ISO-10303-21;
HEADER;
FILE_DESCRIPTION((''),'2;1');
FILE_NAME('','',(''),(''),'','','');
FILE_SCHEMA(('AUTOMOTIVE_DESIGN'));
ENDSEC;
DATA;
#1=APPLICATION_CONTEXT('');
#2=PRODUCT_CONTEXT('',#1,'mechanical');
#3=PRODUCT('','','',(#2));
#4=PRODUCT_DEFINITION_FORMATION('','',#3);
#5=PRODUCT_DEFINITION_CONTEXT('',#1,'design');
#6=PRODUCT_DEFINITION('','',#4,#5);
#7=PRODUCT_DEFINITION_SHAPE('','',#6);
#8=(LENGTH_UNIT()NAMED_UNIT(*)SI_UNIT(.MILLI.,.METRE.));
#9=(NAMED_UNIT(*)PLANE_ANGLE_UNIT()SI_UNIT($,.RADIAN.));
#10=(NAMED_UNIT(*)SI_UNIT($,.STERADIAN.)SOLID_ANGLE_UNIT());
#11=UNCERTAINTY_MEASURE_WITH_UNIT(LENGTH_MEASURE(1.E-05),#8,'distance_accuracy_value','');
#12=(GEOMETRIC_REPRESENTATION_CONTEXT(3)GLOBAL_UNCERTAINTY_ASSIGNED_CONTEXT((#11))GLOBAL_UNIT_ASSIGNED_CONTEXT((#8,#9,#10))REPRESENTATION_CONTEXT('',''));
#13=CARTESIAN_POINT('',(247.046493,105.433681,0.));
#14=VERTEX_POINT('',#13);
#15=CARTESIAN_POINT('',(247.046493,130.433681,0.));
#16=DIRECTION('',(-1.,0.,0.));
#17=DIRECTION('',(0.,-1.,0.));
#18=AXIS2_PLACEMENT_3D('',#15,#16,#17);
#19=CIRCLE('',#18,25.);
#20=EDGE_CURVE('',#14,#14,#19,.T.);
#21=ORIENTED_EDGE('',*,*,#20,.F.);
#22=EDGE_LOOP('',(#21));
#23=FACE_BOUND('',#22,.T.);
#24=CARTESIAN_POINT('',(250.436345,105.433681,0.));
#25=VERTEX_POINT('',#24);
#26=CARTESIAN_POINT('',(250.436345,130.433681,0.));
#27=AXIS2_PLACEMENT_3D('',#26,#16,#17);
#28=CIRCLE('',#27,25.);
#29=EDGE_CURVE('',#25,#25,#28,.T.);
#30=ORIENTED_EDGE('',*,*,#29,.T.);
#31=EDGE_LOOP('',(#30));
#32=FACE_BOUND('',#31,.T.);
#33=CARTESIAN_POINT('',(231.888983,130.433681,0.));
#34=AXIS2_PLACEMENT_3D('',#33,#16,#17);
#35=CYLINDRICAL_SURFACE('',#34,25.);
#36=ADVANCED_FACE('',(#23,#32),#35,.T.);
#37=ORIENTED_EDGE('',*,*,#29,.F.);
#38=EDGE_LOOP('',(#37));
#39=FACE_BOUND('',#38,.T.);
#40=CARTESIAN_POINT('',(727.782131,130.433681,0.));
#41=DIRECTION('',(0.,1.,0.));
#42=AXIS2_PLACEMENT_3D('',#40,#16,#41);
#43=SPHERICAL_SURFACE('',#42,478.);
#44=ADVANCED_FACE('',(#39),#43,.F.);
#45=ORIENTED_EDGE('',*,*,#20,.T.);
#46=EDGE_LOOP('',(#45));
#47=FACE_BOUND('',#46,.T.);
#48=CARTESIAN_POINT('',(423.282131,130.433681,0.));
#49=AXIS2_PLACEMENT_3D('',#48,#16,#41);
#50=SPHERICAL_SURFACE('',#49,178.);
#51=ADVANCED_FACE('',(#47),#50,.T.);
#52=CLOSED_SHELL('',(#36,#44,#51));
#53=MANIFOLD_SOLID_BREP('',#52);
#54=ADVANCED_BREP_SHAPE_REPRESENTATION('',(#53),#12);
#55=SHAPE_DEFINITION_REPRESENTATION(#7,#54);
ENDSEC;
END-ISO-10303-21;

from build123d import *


with BuildPart() as part:
    # 草图1 → 旋转1 (revolve)
    with BuildSketch(Plane.XY):
        with BuildLine():
            Line((247.046493409, 155.433680942), (250.436344506, 155.433680942))
            ThreePointArc((250.436344506, 155.433680942), (249.945712458, 142.937960161), (249.782131121, 130.433680942))
            Line((249.782131121, 130.433680942), (245.282131121, 130.433680942))
            ThreePointArc((245.282131121, 130.433680942), (245.723769571, 142.964772018), (247.046493409, 155.433680942))
        make_face()
    revolve(axis=Axis((231.888982596, 130.433680942, 0), (1, 0, 0)))


solid = part.part
